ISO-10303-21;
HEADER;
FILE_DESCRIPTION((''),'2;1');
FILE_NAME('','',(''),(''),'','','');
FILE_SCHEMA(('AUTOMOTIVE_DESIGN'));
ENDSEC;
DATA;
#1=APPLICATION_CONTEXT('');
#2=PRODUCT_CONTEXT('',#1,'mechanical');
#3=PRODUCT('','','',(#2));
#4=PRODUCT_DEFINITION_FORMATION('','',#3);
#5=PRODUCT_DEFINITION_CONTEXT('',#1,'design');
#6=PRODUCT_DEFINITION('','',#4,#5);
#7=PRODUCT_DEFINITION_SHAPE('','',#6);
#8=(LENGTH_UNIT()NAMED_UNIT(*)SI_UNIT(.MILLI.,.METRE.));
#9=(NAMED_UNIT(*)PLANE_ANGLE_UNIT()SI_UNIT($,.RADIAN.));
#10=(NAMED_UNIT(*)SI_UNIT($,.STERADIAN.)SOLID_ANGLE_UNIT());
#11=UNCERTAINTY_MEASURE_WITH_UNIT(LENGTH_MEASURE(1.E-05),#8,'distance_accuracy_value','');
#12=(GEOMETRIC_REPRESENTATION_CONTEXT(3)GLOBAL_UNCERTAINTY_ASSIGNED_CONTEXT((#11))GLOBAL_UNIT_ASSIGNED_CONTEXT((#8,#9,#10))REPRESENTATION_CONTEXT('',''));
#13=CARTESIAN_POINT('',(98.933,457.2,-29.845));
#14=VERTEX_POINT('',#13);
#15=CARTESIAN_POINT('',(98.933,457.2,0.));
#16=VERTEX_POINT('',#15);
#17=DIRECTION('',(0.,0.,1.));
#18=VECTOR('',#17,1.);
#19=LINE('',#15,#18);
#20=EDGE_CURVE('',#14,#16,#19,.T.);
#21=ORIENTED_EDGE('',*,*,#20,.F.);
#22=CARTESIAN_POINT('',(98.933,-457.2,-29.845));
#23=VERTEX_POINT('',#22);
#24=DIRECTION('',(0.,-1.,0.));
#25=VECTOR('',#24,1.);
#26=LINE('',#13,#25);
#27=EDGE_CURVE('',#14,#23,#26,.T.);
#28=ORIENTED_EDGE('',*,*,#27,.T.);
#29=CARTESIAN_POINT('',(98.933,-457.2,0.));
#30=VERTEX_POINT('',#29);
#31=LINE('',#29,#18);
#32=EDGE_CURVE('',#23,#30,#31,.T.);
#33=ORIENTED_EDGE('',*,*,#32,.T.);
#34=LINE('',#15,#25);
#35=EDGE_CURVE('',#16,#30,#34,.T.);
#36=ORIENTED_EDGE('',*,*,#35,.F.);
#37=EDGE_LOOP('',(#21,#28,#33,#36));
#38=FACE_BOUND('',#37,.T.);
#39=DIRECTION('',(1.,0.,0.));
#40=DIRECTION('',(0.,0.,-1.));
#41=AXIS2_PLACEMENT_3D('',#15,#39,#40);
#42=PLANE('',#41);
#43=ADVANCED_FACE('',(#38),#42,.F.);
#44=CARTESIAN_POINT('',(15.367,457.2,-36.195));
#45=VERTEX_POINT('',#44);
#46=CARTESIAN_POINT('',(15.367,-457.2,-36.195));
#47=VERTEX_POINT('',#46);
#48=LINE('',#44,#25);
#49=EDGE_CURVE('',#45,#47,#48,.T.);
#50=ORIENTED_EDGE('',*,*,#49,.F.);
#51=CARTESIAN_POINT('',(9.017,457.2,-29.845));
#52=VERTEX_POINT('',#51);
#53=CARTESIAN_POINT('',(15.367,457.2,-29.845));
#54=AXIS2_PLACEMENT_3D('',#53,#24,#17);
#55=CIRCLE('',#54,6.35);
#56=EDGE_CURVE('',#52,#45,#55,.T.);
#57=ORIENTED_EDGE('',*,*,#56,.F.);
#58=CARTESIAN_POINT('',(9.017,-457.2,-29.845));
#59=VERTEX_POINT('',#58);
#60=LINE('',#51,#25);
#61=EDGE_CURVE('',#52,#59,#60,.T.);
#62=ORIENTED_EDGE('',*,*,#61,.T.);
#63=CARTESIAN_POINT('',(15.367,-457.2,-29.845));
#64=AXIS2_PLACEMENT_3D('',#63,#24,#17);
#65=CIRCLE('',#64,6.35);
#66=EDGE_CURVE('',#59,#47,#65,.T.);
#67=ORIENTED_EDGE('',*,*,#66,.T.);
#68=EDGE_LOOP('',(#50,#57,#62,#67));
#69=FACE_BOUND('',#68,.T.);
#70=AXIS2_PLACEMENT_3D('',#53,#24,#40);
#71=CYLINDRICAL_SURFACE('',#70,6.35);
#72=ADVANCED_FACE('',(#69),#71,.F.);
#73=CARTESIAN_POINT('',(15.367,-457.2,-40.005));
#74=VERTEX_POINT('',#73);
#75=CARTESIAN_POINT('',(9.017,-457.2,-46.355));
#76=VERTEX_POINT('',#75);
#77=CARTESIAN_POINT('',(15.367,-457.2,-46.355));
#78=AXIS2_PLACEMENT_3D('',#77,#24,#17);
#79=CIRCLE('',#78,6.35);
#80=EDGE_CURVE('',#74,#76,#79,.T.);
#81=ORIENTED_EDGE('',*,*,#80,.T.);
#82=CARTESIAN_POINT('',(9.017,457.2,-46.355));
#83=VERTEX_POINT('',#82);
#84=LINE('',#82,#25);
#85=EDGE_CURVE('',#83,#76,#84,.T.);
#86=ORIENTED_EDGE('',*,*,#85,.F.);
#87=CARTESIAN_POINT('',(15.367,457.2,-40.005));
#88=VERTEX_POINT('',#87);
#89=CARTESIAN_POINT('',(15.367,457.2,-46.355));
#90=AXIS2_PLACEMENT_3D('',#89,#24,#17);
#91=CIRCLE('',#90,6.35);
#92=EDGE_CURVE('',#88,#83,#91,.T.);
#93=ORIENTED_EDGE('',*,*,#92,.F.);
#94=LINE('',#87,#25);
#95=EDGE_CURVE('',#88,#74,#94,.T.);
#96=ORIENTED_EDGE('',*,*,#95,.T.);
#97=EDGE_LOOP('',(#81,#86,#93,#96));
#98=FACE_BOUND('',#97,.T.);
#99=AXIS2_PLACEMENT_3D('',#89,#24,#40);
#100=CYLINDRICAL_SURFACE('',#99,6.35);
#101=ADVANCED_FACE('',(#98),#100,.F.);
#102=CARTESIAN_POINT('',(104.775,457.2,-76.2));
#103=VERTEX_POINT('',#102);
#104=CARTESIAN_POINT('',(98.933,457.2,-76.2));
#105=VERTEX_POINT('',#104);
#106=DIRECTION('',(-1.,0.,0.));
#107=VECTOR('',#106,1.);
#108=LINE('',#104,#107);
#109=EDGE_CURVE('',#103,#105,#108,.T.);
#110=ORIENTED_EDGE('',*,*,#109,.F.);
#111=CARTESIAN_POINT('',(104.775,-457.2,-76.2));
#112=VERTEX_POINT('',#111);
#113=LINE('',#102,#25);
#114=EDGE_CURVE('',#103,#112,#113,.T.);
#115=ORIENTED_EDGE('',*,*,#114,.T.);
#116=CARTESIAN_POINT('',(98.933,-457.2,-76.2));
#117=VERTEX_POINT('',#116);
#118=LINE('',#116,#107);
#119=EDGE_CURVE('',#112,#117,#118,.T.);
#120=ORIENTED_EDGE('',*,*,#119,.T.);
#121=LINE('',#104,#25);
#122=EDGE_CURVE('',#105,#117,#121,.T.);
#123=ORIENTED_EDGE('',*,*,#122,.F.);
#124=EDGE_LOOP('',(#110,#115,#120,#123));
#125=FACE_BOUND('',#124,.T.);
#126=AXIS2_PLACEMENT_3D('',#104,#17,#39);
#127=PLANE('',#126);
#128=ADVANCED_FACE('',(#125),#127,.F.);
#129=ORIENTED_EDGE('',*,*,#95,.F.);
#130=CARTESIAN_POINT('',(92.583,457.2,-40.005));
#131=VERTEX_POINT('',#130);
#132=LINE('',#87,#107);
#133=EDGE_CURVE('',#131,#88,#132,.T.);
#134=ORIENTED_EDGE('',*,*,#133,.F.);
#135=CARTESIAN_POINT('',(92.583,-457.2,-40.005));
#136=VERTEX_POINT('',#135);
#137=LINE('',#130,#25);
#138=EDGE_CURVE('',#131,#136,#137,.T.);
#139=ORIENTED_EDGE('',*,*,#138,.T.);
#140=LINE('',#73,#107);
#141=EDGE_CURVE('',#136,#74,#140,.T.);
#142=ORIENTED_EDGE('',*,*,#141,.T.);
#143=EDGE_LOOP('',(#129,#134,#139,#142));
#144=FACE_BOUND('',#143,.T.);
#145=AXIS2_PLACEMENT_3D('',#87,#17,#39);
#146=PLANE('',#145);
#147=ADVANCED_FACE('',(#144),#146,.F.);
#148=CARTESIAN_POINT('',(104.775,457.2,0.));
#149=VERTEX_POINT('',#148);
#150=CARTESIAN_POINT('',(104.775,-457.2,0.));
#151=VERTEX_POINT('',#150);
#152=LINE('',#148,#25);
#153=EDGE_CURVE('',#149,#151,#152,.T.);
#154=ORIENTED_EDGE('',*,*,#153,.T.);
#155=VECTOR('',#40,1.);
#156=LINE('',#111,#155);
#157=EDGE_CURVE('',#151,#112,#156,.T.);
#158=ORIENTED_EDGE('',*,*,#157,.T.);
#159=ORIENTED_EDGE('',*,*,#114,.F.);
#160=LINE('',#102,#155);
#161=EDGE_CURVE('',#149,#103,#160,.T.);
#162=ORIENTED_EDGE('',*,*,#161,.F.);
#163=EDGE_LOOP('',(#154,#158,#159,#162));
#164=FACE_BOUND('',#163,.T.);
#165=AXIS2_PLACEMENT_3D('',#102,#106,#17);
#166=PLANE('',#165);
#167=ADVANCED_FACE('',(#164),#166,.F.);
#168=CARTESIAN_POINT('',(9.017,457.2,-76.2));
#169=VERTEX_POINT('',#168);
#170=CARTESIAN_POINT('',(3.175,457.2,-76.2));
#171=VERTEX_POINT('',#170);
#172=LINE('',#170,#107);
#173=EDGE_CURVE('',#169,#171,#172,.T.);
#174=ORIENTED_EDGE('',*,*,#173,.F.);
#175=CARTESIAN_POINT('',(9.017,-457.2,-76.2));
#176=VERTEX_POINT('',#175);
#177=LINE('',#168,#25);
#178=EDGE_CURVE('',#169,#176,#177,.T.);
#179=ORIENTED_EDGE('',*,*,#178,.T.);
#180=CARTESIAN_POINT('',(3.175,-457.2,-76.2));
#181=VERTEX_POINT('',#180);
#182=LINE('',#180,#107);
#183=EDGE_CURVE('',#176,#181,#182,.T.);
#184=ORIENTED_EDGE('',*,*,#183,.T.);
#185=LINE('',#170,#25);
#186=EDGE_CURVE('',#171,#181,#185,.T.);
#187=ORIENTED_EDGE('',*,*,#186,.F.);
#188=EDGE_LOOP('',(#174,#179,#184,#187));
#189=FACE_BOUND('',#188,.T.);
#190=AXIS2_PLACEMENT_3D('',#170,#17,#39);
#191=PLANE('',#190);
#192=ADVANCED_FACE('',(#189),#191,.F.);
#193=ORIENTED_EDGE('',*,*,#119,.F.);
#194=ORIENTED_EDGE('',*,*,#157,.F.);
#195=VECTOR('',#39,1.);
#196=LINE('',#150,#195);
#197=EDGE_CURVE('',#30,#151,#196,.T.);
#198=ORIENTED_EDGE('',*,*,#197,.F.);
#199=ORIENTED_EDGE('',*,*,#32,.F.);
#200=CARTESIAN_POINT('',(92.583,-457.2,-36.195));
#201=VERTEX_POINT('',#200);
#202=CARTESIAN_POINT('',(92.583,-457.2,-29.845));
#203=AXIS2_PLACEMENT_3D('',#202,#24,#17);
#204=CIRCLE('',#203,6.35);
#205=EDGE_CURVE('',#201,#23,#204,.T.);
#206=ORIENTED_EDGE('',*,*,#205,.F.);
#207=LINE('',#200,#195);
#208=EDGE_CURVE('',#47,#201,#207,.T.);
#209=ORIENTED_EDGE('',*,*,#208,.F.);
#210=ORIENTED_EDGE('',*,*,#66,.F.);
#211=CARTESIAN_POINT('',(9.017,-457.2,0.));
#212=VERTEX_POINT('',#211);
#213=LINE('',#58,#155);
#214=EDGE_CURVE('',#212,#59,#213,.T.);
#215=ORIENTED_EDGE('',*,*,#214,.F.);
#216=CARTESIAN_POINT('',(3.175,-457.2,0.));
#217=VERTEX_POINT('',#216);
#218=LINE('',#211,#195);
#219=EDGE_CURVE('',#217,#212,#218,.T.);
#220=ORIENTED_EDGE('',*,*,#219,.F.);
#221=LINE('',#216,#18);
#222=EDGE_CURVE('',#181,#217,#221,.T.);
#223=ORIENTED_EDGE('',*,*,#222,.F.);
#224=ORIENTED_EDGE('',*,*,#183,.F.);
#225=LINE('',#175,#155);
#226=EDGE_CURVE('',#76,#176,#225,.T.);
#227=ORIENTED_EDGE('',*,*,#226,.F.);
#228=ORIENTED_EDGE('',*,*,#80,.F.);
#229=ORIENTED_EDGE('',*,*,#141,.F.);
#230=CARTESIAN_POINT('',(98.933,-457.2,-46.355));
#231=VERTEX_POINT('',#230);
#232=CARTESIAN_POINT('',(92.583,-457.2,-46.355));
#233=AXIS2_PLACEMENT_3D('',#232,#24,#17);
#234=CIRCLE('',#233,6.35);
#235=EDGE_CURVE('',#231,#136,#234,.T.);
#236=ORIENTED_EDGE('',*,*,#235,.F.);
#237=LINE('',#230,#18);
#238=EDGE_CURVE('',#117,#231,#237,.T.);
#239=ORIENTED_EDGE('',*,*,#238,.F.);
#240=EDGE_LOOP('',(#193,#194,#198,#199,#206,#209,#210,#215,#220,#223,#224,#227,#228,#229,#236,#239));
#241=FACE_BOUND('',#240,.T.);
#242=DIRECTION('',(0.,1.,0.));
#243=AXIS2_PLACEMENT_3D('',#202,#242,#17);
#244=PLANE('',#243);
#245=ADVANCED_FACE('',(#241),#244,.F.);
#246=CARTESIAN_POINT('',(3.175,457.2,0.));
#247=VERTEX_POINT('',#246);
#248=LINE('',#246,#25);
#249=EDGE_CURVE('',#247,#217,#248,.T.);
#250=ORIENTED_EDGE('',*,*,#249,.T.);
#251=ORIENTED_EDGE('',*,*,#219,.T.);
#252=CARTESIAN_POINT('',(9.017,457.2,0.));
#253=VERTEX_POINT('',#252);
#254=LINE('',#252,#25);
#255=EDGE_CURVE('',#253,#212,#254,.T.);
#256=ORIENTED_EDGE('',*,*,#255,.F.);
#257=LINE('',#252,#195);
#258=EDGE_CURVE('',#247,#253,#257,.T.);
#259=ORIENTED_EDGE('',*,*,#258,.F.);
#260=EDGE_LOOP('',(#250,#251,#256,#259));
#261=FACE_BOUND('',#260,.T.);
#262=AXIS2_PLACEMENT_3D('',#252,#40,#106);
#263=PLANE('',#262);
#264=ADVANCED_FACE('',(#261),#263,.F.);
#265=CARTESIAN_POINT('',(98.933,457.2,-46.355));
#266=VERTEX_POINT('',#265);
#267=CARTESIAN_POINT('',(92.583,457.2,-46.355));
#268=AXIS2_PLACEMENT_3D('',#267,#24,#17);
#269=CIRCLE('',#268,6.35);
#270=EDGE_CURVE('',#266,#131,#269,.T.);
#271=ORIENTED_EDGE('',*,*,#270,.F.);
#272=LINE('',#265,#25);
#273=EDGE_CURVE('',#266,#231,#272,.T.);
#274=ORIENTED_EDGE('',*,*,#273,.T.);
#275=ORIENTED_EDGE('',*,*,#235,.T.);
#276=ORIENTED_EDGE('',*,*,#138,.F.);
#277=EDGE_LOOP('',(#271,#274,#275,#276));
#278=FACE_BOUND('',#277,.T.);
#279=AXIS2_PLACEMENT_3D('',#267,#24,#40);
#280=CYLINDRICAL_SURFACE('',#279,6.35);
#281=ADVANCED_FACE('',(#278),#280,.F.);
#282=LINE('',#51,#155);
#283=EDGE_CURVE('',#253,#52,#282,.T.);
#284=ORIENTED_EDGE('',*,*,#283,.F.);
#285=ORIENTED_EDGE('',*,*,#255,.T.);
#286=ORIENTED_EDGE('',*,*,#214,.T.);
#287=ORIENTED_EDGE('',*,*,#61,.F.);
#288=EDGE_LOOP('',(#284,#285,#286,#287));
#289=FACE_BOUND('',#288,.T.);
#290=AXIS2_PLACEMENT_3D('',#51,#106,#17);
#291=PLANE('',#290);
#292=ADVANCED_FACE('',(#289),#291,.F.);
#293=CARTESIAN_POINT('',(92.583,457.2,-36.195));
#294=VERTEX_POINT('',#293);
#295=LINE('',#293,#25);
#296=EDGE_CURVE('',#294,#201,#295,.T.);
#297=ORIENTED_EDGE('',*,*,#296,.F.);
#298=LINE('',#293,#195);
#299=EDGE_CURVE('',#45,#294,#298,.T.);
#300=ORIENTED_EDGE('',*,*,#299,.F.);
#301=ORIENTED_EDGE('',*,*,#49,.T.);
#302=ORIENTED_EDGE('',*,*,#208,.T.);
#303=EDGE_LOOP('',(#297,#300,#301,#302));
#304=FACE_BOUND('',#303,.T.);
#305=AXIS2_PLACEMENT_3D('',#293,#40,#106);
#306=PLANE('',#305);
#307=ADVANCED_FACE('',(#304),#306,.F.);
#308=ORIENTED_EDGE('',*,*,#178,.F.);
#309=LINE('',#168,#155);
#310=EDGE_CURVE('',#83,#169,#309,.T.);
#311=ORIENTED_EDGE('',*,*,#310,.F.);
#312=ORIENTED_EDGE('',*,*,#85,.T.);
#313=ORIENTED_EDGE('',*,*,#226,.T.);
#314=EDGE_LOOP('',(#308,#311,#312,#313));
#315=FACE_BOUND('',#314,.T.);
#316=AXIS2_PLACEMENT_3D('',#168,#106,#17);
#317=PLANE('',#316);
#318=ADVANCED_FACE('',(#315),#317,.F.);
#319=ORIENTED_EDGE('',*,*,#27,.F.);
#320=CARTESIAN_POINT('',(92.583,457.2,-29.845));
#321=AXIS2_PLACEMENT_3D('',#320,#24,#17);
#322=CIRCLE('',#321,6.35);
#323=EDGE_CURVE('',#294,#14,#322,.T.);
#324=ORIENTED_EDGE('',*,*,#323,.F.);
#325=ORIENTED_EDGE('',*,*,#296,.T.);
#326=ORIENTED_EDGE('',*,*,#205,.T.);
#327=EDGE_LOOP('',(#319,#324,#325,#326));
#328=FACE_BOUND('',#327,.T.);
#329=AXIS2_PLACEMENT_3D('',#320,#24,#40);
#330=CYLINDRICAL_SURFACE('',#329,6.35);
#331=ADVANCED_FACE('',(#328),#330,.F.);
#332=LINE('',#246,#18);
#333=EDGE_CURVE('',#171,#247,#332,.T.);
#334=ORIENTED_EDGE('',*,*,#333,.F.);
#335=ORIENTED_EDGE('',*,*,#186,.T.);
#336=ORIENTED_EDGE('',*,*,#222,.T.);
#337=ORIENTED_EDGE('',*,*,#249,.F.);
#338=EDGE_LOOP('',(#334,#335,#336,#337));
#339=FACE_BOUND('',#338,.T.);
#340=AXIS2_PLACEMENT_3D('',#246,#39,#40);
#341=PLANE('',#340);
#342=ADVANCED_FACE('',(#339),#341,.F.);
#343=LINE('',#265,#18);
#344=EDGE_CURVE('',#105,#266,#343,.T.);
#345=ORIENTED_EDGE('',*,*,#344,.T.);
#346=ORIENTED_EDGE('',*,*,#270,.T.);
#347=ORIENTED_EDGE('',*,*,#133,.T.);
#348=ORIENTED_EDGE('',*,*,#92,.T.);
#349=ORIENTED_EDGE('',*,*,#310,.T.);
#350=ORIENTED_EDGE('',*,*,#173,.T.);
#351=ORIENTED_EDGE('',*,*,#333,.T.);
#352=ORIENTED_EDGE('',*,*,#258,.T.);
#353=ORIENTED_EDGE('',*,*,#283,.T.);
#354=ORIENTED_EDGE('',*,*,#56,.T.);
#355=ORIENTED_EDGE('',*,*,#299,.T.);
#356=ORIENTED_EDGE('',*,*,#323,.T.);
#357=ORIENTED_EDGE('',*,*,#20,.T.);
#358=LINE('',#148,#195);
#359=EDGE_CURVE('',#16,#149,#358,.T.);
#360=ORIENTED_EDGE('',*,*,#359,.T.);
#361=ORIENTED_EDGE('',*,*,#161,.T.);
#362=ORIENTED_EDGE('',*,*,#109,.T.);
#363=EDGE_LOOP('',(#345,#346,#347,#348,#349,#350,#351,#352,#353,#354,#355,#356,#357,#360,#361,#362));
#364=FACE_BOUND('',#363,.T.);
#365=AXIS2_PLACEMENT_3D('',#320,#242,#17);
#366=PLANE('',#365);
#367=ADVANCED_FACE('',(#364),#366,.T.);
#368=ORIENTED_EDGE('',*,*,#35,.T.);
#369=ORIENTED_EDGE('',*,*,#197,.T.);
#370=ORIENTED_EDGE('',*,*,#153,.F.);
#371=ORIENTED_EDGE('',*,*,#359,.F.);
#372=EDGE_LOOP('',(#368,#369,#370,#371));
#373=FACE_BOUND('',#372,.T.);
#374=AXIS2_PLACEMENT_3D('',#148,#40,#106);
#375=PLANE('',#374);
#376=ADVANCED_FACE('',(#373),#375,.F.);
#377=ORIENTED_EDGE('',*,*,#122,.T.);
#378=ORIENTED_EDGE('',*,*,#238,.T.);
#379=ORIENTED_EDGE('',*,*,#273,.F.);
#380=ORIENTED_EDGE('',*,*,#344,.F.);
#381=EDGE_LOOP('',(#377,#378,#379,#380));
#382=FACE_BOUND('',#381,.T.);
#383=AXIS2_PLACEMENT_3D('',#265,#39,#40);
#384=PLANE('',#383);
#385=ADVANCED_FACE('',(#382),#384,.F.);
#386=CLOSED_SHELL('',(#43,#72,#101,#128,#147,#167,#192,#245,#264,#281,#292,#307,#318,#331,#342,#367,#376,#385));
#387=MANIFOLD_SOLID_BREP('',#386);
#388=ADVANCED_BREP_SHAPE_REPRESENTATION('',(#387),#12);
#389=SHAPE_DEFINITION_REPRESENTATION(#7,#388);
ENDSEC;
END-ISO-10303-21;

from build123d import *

# Parameters (mm, degrees)
AL_I_BEAM_AL_I_BEAM_4X2_31_1_DEPTH = 914.4


with BuildPart() as part:
    # Sketch11 → Al i beam AL I BEAM 4X2.31(1) (new body)
    with BuildSketch(Plane(origin=(53.975, -457.2, -38.1), x_dir=(0, 0, -1), z_dir=(0, 1, 0))):
        with BuildLine():
            Line((-38.1, -50.8), (-38.1, -44.958))
            Line((-38.1, -44.958), (-8.255, -44.958))
            ThreePointArc((-8.255, -44.958), (-3.764871939, -43.098128061), (-1.905, -38.608))
            Line((-1.905, -38.608), (-1.905, 38.608))
            ThreePointArc((-1.905, 38.608), (-3.764871939, 43.098128061), (-8.255, 44.958))
            Line((-8.255, 44.958), (-38.1, 44.958))
            Line((-38.1, 44.958), (-38.1, 50.8))
            Line((-38.1, 50.8), (38.1, 50.8))
            Line((38.1, 50.8), (38.1, 44.958))
            Line((38.1, 44.958), (8.255, 44.958))
            ThreePointArc((8.255, 44.958), (3.764871939, 43.098128061), (1.905, 38.608))
            Line((1.905, 38.608), (1.905, -38.608))
            ThreePointArc((1.905, -38.608), (3.764871939, -43.098128061), (8.255, -44.958))
            Line((8.255, -44.958), (38.1, -44.958))
            Line((38.1, -44.958), (38.1, -50.8))
            Line((38.1, -50.8), (-38.1, -50.8))
        make_face()
    extrude(amount=AL_I_BEAM_AL_I_BEAM_4X2_31_1_DEPTH)


solid = part.part
